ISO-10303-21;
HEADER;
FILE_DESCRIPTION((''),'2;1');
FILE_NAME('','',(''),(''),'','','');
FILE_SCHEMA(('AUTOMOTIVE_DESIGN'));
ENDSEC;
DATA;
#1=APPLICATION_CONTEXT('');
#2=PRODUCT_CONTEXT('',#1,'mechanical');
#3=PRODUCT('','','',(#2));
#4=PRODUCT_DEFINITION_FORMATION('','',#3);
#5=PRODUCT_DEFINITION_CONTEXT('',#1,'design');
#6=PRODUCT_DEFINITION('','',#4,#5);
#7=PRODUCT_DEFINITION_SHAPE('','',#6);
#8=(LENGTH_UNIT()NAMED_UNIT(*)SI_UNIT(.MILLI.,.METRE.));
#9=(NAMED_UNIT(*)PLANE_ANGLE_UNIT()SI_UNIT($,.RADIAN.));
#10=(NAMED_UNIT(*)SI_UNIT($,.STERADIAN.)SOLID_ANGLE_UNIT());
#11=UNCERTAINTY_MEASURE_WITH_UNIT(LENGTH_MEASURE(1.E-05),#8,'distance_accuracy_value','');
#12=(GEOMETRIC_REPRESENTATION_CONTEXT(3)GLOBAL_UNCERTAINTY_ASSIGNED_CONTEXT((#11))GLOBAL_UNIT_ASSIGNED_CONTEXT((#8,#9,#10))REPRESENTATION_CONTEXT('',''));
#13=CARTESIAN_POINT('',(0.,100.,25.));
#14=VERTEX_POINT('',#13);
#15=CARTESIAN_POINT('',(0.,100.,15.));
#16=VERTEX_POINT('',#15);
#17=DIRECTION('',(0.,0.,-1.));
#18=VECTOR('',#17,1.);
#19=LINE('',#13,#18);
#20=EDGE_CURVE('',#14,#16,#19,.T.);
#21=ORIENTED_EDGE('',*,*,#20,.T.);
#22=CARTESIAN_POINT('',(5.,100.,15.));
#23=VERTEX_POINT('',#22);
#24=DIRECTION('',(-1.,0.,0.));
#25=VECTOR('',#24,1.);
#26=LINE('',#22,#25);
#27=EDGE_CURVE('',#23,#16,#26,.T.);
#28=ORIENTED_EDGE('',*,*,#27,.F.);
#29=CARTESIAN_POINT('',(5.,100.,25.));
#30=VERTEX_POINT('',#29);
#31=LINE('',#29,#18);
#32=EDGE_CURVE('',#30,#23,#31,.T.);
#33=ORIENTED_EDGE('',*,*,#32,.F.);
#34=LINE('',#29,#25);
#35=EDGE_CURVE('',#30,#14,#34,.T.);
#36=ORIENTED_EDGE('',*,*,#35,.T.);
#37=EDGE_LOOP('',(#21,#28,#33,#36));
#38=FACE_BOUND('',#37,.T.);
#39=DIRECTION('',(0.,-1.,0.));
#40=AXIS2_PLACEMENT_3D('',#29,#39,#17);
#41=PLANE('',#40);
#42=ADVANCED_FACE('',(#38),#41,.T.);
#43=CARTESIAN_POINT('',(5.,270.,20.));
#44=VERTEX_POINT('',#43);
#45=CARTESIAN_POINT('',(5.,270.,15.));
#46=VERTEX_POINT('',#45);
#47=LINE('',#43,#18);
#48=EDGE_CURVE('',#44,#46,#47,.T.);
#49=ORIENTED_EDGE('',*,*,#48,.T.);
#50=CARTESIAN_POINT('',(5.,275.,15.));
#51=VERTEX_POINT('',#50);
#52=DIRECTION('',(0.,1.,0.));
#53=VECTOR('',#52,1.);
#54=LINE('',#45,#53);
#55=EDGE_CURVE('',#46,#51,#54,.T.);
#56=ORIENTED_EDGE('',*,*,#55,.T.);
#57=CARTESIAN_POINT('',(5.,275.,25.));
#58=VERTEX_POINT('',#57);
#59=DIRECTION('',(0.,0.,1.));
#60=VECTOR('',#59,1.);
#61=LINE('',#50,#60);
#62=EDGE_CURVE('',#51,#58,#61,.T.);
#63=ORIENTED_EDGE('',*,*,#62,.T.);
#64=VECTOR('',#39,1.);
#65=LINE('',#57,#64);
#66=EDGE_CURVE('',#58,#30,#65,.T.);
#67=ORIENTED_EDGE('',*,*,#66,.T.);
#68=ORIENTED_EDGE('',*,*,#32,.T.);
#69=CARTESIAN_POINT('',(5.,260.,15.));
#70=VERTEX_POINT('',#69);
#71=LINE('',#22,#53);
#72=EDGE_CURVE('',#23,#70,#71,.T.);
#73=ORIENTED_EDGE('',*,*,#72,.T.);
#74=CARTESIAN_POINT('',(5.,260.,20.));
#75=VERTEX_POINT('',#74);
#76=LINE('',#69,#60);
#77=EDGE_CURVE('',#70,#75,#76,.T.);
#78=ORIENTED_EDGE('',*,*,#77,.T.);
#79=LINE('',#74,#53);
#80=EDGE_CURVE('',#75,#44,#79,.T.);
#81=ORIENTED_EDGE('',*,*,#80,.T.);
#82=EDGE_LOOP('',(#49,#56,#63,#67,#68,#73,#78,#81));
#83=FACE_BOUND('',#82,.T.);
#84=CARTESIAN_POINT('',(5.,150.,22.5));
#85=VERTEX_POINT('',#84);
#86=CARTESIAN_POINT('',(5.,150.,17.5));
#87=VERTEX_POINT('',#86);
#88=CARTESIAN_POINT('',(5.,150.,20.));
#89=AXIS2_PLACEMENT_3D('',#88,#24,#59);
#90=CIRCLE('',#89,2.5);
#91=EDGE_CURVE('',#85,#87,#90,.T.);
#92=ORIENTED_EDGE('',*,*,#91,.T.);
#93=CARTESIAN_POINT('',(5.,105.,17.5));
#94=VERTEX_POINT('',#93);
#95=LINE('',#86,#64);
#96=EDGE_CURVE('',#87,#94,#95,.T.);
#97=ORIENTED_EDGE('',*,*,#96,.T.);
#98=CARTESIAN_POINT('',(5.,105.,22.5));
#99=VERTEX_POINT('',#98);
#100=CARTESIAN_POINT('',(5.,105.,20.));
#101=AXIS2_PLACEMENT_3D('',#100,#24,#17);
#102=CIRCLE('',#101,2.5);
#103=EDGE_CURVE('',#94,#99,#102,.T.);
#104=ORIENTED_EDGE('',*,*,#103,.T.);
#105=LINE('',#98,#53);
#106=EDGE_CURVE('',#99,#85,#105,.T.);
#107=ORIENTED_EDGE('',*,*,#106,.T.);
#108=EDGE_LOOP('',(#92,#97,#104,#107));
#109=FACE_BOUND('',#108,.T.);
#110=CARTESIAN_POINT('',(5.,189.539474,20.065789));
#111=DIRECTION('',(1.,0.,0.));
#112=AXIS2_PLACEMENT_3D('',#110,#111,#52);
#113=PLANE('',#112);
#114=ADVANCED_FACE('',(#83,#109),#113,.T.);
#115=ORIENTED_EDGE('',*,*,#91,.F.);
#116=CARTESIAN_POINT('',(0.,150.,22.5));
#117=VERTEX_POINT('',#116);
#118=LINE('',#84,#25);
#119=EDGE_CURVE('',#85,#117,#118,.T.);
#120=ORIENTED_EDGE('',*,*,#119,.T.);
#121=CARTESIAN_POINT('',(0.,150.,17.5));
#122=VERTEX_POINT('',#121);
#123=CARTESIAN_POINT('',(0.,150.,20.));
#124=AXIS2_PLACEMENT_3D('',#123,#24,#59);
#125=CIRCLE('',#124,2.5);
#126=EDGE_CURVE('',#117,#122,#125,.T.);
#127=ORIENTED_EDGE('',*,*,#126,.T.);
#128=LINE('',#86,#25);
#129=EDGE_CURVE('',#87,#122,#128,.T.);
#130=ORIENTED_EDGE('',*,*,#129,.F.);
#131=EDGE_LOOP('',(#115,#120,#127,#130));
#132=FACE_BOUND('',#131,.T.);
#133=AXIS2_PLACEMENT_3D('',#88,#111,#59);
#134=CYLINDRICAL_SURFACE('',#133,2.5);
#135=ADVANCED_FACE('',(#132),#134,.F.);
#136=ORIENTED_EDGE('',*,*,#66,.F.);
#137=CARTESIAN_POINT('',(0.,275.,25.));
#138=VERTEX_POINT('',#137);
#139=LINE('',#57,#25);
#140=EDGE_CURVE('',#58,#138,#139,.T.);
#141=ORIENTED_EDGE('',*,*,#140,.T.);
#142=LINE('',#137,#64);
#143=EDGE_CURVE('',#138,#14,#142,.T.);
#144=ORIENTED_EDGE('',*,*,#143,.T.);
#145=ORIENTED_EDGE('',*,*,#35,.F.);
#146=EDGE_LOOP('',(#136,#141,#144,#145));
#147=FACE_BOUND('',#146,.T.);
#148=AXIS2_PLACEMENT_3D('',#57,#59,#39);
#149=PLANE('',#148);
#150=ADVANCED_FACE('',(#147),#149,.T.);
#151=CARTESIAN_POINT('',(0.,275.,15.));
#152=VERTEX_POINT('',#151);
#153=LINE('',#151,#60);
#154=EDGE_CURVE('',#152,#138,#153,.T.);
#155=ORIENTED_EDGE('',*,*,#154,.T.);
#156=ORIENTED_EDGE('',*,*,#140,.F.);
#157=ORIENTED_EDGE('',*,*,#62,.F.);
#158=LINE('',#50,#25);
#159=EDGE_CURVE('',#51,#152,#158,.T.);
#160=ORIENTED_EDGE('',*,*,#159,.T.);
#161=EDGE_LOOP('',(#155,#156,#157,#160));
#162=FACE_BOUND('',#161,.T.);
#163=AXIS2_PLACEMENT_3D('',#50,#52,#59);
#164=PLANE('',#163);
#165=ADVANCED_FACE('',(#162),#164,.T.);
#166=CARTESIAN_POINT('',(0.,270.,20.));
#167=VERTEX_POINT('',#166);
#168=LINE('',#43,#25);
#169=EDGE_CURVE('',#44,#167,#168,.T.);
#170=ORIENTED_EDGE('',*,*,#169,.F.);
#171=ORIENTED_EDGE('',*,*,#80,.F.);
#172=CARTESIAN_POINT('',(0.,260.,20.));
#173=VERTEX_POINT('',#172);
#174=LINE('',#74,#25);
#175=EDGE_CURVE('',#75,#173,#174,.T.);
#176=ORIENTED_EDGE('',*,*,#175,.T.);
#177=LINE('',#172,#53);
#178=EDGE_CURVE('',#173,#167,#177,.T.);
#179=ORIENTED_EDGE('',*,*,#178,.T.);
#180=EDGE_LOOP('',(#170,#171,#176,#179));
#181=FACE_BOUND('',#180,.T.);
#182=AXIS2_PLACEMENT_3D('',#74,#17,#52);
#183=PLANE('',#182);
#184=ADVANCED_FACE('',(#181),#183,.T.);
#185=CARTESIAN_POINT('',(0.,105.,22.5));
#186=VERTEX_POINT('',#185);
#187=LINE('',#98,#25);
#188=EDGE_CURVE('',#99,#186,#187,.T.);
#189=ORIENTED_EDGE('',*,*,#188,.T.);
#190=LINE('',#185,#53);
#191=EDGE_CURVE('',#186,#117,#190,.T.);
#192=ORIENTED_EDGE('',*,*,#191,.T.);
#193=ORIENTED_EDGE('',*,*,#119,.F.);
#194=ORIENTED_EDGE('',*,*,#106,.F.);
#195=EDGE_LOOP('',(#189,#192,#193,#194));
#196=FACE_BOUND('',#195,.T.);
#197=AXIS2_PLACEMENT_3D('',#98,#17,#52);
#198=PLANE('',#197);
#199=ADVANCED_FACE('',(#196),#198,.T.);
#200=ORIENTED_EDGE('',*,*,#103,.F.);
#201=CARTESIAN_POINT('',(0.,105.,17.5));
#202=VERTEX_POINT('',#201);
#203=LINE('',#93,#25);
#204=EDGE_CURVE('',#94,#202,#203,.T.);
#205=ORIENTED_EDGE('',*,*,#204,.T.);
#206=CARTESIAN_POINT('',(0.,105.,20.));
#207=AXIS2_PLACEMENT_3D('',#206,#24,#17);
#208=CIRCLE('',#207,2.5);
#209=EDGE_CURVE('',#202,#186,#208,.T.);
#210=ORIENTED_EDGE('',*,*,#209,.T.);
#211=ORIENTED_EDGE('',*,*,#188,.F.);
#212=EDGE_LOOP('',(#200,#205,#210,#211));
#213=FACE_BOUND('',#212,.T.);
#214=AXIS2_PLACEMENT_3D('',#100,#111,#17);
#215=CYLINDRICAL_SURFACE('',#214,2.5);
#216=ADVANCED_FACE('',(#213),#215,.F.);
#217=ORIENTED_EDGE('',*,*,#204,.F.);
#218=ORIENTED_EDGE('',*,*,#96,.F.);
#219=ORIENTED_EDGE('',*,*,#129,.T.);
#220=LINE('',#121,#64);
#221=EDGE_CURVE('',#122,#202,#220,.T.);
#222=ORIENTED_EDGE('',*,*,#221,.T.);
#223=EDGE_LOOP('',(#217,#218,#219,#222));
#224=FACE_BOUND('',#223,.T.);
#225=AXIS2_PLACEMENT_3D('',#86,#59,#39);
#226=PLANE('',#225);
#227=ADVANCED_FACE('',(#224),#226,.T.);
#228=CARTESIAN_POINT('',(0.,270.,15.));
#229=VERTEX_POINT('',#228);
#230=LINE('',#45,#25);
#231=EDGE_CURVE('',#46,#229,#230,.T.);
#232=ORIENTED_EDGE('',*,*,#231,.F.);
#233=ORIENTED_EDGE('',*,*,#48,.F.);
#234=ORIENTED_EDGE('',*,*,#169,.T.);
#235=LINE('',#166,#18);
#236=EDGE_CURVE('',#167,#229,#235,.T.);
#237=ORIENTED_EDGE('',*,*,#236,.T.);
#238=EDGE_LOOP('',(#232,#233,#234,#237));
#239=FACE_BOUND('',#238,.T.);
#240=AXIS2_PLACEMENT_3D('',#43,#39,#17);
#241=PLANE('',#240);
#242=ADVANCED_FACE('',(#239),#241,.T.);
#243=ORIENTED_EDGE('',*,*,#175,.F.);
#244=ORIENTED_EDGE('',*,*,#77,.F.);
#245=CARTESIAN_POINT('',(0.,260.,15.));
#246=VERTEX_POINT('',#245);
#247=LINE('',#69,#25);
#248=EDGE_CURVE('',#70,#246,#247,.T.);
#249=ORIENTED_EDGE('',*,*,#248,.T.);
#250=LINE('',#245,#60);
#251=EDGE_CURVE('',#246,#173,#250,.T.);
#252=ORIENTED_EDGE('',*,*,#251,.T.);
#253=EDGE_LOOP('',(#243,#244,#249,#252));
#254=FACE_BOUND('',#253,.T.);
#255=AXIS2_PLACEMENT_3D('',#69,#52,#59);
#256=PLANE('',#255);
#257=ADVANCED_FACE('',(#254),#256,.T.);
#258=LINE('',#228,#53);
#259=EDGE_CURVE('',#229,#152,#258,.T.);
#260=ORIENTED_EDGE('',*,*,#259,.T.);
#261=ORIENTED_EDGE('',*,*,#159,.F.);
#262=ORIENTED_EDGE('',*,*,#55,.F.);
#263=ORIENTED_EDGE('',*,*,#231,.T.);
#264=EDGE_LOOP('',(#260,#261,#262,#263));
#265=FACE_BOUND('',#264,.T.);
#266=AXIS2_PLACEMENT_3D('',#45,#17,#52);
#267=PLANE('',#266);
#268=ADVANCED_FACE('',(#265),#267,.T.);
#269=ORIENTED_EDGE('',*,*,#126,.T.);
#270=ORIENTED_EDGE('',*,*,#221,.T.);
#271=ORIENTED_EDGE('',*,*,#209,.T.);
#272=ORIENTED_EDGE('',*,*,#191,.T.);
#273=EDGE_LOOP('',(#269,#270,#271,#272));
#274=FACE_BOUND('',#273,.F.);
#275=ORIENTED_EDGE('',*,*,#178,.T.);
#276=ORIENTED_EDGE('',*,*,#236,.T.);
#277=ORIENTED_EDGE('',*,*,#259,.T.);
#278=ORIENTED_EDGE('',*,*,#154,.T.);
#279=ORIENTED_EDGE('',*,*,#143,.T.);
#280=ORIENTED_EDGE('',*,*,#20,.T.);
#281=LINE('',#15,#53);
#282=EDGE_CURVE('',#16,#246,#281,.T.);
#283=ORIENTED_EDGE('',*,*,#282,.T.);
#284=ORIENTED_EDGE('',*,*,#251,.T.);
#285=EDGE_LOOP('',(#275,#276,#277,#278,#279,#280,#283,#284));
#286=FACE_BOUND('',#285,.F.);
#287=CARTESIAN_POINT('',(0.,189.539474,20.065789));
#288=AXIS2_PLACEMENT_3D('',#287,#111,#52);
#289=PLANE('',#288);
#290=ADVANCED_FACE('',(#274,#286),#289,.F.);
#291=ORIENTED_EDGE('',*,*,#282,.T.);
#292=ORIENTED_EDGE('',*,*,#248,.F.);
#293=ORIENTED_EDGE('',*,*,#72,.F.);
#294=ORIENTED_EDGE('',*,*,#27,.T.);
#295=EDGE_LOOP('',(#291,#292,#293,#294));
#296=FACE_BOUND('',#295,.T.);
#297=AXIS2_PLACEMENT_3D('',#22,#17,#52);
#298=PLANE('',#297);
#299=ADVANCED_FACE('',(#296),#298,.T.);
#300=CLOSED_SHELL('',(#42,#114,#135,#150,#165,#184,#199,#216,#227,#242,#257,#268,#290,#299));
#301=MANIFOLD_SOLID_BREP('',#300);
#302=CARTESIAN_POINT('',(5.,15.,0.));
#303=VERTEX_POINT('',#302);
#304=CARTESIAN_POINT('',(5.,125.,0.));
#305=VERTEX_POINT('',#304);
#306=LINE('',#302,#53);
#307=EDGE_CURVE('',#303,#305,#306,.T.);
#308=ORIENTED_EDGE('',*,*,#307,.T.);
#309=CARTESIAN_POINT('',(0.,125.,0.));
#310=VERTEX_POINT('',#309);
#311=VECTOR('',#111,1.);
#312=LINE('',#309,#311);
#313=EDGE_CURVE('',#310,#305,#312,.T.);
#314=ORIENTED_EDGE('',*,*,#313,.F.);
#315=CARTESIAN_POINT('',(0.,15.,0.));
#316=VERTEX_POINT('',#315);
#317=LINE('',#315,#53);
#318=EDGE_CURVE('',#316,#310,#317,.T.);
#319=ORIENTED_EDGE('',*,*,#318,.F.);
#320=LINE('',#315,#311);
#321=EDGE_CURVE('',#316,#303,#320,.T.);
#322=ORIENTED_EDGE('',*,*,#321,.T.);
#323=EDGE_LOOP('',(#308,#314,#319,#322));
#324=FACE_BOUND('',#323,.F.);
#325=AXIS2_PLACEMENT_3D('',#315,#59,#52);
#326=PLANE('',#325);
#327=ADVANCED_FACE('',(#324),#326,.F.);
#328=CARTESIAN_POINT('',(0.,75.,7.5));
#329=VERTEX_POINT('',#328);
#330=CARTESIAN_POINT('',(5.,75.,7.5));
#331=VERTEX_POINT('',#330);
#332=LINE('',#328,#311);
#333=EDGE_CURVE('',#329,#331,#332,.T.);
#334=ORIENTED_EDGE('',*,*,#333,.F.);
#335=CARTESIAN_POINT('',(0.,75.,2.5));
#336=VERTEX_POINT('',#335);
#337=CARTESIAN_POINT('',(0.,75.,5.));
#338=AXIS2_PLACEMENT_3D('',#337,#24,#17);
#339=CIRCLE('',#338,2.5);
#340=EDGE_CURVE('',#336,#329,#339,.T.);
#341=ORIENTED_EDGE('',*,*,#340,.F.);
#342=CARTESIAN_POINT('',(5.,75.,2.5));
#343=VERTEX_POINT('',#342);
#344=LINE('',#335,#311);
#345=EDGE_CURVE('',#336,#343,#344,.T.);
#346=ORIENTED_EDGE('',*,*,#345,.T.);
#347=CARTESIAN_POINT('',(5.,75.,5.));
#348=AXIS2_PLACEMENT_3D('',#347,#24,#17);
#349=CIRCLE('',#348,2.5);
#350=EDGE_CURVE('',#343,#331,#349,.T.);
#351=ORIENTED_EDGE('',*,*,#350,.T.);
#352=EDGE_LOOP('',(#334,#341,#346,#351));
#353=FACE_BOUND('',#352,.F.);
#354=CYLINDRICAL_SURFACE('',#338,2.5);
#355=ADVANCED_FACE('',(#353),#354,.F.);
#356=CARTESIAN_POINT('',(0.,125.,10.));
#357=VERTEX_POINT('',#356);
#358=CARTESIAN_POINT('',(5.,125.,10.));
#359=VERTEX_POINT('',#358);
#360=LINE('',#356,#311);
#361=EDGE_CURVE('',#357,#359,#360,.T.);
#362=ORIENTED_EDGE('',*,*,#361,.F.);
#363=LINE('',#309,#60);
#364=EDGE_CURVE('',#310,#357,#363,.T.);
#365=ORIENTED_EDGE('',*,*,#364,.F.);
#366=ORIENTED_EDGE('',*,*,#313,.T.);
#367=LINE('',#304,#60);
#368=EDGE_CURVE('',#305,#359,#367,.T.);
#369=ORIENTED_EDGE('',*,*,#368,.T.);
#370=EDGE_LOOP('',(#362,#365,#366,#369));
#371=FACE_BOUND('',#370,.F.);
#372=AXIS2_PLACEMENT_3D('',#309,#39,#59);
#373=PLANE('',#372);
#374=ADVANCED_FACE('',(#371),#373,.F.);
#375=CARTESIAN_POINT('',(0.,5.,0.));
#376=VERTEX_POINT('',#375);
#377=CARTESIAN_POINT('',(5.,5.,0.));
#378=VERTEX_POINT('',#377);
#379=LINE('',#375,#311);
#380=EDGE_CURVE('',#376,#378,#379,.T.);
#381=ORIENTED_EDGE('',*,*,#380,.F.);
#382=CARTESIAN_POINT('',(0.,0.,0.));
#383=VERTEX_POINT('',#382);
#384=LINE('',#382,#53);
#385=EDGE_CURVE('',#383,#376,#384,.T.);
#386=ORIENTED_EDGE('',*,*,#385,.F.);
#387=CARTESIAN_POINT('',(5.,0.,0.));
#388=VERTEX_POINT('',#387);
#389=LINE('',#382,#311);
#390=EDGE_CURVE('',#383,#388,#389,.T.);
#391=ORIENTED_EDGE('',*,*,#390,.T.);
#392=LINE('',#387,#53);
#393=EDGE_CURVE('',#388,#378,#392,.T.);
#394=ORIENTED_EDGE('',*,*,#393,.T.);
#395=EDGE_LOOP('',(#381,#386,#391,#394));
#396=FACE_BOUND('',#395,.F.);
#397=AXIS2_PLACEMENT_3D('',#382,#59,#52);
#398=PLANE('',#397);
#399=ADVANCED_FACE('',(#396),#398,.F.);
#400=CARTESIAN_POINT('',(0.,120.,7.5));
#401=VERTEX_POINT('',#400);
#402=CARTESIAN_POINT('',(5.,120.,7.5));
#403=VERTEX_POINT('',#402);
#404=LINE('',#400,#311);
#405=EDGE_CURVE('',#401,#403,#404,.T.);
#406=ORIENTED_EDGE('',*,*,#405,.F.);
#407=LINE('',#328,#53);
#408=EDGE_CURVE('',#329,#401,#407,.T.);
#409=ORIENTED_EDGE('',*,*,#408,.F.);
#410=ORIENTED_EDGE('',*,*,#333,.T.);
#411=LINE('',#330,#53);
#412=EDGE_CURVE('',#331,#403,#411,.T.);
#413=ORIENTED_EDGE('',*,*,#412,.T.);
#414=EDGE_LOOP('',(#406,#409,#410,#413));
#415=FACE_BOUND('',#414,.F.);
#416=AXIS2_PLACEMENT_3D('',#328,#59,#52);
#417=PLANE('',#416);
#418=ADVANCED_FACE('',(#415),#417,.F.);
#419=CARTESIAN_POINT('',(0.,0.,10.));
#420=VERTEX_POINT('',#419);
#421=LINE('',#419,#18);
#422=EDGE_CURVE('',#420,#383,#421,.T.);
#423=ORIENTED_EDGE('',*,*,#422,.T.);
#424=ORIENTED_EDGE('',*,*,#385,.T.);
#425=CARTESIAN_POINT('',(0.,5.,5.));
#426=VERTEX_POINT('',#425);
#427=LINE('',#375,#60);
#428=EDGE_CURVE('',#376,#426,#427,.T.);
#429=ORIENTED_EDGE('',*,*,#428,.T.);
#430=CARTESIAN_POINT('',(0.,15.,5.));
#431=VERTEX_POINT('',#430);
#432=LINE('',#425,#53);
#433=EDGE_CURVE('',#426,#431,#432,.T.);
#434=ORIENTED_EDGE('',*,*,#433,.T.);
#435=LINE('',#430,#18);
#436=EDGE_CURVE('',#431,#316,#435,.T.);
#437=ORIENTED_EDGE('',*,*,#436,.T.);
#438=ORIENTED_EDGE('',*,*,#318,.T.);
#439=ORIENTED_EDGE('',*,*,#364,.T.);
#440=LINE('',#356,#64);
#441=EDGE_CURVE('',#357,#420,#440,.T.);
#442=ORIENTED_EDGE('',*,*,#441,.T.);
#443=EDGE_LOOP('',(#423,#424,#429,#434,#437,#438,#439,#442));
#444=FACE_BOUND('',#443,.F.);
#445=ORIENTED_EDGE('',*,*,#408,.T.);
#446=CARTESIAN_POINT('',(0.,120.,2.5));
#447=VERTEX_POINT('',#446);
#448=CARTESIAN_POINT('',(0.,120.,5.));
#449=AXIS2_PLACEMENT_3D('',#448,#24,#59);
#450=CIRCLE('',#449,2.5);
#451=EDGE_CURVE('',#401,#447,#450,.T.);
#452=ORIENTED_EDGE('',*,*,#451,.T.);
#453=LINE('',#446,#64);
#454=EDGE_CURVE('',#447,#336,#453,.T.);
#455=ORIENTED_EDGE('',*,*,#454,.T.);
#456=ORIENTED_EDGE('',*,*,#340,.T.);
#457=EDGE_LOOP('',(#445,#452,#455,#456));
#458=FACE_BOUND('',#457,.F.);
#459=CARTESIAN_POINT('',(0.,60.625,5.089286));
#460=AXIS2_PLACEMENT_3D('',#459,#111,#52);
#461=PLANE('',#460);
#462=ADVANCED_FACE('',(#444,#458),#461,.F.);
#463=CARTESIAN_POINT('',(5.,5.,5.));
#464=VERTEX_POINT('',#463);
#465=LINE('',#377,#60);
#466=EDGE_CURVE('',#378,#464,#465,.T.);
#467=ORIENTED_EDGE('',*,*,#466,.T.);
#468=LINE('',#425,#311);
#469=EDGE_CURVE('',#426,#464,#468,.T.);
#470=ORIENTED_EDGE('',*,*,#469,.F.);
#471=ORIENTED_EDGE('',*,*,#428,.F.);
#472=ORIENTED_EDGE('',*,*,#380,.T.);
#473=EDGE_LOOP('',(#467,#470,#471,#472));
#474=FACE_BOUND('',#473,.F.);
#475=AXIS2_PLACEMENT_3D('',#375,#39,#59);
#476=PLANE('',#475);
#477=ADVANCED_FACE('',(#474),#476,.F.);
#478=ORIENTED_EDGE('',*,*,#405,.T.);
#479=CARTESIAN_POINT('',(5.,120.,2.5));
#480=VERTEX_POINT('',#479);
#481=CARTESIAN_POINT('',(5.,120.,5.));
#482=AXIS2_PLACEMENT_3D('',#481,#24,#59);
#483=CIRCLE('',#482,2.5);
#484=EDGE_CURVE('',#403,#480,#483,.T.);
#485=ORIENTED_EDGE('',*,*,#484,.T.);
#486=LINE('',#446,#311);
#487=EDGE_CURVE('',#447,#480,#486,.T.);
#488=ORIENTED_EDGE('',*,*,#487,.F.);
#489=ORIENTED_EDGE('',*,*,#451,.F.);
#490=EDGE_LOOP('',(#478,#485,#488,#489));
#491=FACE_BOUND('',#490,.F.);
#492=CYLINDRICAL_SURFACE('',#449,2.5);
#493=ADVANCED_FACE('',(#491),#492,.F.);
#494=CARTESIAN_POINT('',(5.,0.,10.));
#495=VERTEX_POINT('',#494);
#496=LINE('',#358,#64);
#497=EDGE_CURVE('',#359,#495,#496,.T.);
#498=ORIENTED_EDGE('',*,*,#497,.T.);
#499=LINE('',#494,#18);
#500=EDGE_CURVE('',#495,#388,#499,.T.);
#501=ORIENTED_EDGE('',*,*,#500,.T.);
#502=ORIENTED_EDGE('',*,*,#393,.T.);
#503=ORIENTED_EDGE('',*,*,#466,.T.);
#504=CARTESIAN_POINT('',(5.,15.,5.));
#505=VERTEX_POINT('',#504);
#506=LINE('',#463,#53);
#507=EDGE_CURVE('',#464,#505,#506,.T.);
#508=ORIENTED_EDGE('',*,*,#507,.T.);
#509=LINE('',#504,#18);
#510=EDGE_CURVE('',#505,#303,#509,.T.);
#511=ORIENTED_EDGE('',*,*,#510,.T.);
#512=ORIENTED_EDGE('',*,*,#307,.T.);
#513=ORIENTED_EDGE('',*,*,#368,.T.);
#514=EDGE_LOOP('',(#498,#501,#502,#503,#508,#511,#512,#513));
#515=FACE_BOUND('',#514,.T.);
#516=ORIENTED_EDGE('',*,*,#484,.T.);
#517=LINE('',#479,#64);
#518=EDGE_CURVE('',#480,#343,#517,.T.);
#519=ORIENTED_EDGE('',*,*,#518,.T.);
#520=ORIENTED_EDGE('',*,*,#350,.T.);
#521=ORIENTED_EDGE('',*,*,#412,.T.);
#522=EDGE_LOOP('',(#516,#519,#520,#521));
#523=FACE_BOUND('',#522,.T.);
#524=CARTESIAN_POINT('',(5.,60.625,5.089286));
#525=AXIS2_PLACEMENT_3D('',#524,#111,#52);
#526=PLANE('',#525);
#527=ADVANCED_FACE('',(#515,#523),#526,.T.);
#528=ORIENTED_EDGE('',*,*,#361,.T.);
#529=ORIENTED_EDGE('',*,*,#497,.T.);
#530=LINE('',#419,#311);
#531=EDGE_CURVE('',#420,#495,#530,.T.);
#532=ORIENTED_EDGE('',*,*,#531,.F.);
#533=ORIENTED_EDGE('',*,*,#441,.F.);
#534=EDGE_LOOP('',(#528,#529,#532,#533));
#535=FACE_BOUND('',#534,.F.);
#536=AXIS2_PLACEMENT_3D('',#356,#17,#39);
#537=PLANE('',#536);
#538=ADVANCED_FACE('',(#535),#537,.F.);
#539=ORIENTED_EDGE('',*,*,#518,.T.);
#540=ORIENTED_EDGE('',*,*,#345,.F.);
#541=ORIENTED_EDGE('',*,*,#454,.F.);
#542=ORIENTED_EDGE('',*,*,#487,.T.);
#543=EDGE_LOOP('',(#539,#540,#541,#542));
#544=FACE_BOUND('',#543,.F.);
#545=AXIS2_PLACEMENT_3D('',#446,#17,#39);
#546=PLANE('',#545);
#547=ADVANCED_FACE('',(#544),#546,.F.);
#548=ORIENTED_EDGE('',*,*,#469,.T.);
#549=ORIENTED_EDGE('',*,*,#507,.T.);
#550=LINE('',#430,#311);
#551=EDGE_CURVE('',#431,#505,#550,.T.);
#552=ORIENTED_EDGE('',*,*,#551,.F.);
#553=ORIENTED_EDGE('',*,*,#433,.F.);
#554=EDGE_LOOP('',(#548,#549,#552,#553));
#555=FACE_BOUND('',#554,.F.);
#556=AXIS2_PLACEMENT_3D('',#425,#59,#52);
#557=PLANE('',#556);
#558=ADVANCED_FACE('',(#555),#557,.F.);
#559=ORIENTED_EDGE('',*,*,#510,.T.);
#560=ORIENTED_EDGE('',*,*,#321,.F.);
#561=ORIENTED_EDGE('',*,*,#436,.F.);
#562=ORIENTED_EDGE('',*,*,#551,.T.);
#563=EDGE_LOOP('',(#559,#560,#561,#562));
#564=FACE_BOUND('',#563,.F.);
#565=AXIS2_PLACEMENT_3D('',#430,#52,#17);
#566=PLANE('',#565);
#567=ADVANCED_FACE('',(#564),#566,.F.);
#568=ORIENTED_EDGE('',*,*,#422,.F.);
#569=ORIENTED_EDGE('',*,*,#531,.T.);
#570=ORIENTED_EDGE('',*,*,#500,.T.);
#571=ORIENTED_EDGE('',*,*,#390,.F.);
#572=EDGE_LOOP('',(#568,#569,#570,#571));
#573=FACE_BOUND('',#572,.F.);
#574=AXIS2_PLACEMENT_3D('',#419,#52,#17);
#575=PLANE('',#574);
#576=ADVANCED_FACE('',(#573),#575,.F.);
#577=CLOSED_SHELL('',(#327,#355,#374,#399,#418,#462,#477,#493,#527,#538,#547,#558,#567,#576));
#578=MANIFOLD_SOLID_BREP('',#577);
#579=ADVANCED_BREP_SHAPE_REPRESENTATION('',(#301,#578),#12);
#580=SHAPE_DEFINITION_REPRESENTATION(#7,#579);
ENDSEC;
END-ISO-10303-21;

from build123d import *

# Parameters (mm, degrees)
F1_DEPTH = 5
F3_DEPTH = 5


with BuildPart() as f1:
    # F0 (on Right) → F1 (new body)
    with BuildSketch(Plane.YZ):
        Polygon((15, 0), (125, 0), (125, 10), (0, 10), (0, 0), (5, 0), (5, 5), (15, 5), align=None)
        with BuildLine():
            ThreePointArc((120, 7.5), (122.5, 5), (120, 2.5))
            Line((120, 2.5), (75, 2.5))
            ThreePointArc((75, 2.5), (72.5, 5), (75, 7.5))
            Line((75, 7.5), (120, 7.5))
        make_face(mode=Mode.SUBTRACT)
    extrude(amount=F1_DEPTH)


with BuildPart() as f3:
    # F2 (on face) → F3 (new body)
    with BuildSketch(Plane.YZ.offset(5)):
        Polygon((100, 15), (260, 15), (260, 20), (270, 20), (270, 15), (275, 15), (275, 25), (100, 25), align=None)
        with BuildLine():
            ThreePointArc((105, 17.5), (102.5, 20), (105, 22.5))
            Line((105, 22.5), (150, 22.5))
            ThreePointArc((150, 22.5), (152.5, 20), (150, 17.5))
            Line((150, 17.5), (105, 17.5))
        make_face(mode=Mode.SUBTRACT)
    extrude(amount=-F3_DEPTH)


solid = Compound([f1.part, f3.part])
